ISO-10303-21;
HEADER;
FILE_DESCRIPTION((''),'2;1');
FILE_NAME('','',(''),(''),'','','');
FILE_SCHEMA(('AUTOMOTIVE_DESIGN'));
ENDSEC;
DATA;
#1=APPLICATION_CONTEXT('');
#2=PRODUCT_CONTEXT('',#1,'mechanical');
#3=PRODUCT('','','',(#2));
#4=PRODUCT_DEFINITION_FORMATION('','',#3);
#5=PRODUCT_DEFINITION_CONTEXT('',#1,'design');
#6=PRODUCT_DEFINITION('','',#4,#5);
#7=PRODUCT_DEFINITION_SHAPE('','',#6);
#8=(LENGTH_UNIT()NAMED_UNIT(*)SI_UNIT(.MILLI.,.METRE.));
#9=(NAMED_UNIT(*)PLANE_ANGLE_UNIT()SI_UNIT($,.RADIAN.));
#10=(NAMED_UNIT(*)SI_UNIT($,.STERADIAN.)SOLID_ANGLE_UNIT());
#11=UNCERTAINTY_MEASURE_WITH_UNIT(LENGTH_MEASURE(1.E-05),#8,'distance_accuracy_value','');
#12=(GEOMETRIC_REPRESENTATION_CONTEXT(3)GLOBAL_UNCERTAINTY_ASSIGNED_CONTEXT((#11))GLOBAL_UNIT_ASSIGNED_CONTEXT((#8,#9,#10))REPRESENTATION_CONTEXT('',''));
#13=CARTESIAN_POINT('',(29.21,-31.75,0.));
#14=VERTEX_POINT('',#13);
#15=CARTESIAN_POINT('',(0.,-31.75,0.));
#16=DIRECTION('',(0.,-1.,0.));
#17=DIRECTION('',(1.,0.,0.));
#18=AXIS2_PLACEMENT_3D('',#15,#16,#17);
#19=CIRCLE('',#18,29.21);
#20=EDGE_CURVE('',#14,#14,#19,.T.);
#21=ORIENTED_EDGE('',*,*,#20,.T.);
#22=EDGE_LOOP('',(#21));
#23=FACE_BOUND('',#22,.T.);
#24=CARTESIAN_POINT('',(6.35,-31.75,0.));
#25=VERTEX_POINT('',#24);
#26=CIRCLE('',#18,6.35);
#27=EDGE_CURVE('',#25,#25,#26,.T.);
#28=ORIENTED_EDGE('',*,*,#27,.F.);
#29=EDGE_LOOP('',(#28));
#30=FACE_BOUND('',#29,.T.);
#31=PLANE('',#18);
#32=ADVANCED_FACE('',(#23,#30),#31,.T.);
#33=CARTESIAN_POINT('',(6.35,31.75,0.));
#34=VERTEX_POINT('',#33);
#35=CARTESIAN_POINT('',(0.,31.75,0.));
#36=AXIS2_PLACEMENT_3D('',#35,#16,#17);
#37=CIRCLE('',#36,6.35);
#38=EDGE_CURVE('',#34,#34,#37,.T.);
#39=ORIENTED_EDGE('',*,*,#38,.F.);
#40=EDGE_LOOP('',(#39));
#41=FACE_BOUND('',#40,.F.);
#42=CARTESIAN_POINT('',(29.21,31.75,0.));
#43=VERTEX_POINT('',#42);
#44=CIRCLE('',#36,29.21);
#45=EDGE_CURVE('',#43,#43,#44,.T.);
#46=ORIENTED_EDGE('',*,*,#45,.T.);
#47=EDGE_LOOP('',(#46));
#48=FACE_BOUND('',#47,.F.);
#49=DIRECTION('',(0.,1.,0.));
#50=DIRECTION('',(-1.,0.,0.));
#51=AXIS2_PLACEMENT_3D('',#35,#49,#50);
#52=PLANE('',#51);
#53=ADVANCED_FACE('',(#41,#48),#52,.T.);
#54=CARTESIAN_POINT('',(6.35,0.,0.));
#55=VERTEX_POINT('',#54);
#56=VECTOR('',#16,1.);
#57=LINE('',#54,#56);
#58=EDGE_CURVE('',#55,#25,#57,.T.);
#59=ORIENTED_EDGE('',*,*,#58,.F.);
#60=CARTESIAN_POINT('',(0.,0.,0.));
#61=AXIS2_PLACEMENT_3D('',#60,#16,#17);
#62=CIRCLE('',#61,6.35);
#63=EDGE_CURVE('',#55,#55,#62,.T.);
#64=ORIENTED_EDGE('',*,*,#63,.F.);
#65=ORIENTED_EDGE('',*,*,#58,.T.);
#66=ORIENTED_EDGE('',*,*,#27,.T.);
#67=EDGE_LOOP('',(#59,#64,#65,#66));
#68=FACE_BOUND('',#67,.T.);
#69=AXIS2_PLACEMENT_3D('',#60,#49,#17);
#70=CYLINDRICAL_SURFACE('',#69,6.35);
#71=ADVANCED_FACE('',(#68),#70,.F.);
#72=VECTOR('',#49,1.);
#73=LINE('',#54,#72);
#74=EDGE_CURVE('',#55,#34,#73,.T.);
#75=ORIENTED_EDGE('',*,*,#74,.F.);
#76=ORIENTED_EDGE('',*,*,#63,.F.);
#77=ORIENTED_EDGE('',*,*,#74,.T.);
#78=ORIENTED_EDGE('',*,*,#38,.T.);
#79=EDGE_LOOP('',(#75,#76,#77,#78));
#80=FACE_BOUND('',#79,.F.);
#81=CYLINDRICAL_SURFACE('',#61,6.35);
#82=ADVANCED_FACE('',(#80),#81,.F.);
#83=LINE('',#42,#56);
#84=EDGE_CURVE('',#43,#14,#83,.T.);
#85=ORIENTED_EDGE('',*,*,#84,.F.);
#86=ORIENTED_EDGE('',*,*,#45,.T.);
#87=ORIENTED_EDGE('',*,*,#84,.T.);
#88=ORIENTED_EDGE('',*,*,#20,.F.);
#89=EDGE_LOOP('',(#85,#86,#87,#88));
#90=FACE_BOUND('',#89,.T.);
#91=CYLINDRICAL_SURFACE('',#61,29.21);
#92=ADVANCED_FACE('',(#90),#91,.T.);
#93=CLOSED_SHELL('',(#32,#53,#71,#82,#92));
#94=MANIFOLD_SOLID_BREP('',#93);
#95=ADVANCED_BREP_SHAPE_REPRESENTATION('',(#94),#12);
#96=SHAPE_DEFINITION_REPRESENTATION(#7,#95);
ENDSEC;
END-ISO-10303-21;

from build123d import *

# Parameters (mm, degrees)
F0_R     = 29.21
F1_DEPTH = 31.75
F0_R_2   = 6.35
F2_DEPTH = 31.75
F3_DEPTH = 31.75


with BuildPart() as f1:
    # F0 (on Front) → F1 (new body)
    with BuildSketch(Plane.XZ):
        Circle(F0_R)
        with BuildLine():
            ThreePointArc((21.5331844423, 10.8893924428), (23.4718197057, 5.5973725715), (24.13, 0))
            ThreePointArc((24.13, 0), (17.4832992726, -16.6310296298), (1.2049153298, -24.0998979053))
            ThreePointArc((1.2049153298, -24.0998979053), (-0.0651750036, -24.1299119812), (-1.3350846702, -24.0930373536))
            ThreePointArc((-1.3350846702, -24.0930373536), (-21.1740501638, -11.5722296754), (-20.9990868902, 11.8867678441))
            ThreePointArc((-20.9990868902, 11.8867678441), (-20.3436941865, 12.9765560472), (-19.6317982914, 14.030302771))
            ThreePointArc((-19.6317982914, 14.030302771), (0.5669275044, 24.1233391802), (20.2692187002, 13.0925808489))
            ThreePointArc((20.2692187002, 13.0925808489), (20.9302111052, 12.0076293701), (21.5331844423, 10.8893924428))
        make_face(mode=Mode.SUBTRACT)
    extrude(amount=F1_DEPTH)



with BuildPart() as f2:
    # F0 (on Front) → F2 (new body)
    with BuildSketch(Plane.XZ):
        with BuildLine():
            ThreePointArc((8.89, 0), (8.7360592676, 1.6472305465), (8.2795683975, 3.2374136516))
            ThreePointArc((8.2795683975, 3.2374136516), (7.7321419682, 4.3870355119), (7.026094307, 5.4466594156))
            ThreePointArc((7.026094307, 5.4466594156), (0.5769925697, 8.8712558059), (-6.2613755065, 6.310885577))
            ThreePointArc((-6.2613755065, 6.310885577), (-7.1044258576, 5.3440839471), (-7.7995628745, 4.2660191005))
            ThreePointArc((-7.7995628745, 4.2660191005), (-7.9668054392, -3.9448841673), (-1.3350846702, -8.7891779435))
            ThreePointArc((-1.3350846702, -8.7891779435), (-0.0657591783, -8.8897567869), (1.2049153298, -8.8079667942))
            ThreePointArc((1.2049153298, -8.8079667942), (6.6986490161, -5.8446729044), (8.89, 0))
        make_face()
        Circle(F0_R_2, mode=Mode.SUBTRACT)
    extrude(amount=F2_DEPTH)


with BuildPart() as f1_1:
    add(f1.part)

    add(f2.part)  # F3 merges F2
    # F0 (on Front) → F3 (join)
    with BuildSketch(Plane.XZ):
        with BuildLine():
            Line((-6.2613755065, 6.310885577), (-19.6317982914, 14.030302771))
            ThreePointArc((-19.6317982914, 14.030302771), (-20.3436941865, 12.9765560472), (-20.9990868902, 11.8867678441))
            Line((-20.9990868902, 11.8867678441), (-7.7995628745, 4.2660191005))
            ThreePointArc((-7.7995628745, 4.2660191005), (-7.1044258576, 5.3440839471), (-6.2613755065, 6.310885577))
        make_face()
        with BuildLine():
            ThreePointArc((-1.3350846702, -24.0930373536), (-0.0651750036, -24.1299119812), (1.2049153298, -24.0998979053))
            Line((1.2049153298, -24.0998979053), (1.2049153298, -8.8079667942))
            ThreePointArc((1.2049153298, -8.8079667942), (-0.0657591783, -8.8897567869), (-1.3350846702, -8.7891779435))
            Line((-1.3350846702, -8.7891779435), (-1.3350846702, -24.0930373536))
        make_face()
        with BuildLine():
            Line((8.2795683975, 3.2374136516), (21.5331844423, 10.8893924428))
            ThreePointArc((21.5331844423, 10.8893924428), (20.9302111052, 12.0076293701), (20.2692187002, 13.0925808489))
            Line((20.2692187002, 13.0925808489), (7.026094307, 5.4466594156))
            ThreePointArc((7.026094307, 5.4466594156), (7.7321419682, 4.3870355119), (8.2795683975, 3.2374136516))
        make_face()
        with BuildLine():
            ThreePointArc((-20.9990868902, 11.8867678441), (-21.1740501638, -11.5722296754), (-1.3350846702, -24.0930373536))
            Line((-1.3350846702, -24.0930373536), (-1.3350846702, -8.7891779435))
            ThreePointArc((-1.3350846702, -8.7891779435), (-7.9668054392, -3.9448841673), (-7.7995628745, 4.2660191005))
            Line((-7.7995628745, 4.2660191005), (-20.9990868902, 11.8867678441))
        make_face()
        with BuildLine():
            Line((7.026094307, 5.4466594156), (20.2692187002, 13.0925808489))
            ThreePointArc((20.2692187002, 13.0925808489), (0.5669275044, 24.1233391802), (-19.6317982914, 14.030302771))
            Line((-19.6317982914, 14.030302771), (-6.2613755065, 6.310885577))
            ThreePointArc((-6.2613755065, 6.310885577), (0.5769925697, 8.8712558059), (7.026094307, 5.4466594156))
        make_face()
        with BuildLine():
            ThreePointArc((1.2049153298, -24.0998979053), (17.4832992726, -16.6310296298), (24.13, 0))
            ThreePointArc((24.13, 0), (23.4718197057, 5.5973725715), (21.5331844423, 10.8893924428))
            Line((21.5331844423, 10.8893924428), (8.2795683975, 3.2374136516))
            ThreePointArc((8.2795683975, 3.2374136516), (8.7360592676, 1.6472305465), (8.89, 0))
            ThreePointArc((8.89, 0), (6.6986490161, -5.8446729044), (1.2049153298, -8.8079667942))
            Line((1.2049153298, -8.8079667942), (1.2049153298, -24.0998979053))
        make_face()
    extrude(amount=F3_DEPTH)

    # F4: F1 across plane


with BuildPart() as f1_2:
    add(f1_1.part)
    add(f1_1.part.mirror(Plane.XZ))


solid = f1_2.part
